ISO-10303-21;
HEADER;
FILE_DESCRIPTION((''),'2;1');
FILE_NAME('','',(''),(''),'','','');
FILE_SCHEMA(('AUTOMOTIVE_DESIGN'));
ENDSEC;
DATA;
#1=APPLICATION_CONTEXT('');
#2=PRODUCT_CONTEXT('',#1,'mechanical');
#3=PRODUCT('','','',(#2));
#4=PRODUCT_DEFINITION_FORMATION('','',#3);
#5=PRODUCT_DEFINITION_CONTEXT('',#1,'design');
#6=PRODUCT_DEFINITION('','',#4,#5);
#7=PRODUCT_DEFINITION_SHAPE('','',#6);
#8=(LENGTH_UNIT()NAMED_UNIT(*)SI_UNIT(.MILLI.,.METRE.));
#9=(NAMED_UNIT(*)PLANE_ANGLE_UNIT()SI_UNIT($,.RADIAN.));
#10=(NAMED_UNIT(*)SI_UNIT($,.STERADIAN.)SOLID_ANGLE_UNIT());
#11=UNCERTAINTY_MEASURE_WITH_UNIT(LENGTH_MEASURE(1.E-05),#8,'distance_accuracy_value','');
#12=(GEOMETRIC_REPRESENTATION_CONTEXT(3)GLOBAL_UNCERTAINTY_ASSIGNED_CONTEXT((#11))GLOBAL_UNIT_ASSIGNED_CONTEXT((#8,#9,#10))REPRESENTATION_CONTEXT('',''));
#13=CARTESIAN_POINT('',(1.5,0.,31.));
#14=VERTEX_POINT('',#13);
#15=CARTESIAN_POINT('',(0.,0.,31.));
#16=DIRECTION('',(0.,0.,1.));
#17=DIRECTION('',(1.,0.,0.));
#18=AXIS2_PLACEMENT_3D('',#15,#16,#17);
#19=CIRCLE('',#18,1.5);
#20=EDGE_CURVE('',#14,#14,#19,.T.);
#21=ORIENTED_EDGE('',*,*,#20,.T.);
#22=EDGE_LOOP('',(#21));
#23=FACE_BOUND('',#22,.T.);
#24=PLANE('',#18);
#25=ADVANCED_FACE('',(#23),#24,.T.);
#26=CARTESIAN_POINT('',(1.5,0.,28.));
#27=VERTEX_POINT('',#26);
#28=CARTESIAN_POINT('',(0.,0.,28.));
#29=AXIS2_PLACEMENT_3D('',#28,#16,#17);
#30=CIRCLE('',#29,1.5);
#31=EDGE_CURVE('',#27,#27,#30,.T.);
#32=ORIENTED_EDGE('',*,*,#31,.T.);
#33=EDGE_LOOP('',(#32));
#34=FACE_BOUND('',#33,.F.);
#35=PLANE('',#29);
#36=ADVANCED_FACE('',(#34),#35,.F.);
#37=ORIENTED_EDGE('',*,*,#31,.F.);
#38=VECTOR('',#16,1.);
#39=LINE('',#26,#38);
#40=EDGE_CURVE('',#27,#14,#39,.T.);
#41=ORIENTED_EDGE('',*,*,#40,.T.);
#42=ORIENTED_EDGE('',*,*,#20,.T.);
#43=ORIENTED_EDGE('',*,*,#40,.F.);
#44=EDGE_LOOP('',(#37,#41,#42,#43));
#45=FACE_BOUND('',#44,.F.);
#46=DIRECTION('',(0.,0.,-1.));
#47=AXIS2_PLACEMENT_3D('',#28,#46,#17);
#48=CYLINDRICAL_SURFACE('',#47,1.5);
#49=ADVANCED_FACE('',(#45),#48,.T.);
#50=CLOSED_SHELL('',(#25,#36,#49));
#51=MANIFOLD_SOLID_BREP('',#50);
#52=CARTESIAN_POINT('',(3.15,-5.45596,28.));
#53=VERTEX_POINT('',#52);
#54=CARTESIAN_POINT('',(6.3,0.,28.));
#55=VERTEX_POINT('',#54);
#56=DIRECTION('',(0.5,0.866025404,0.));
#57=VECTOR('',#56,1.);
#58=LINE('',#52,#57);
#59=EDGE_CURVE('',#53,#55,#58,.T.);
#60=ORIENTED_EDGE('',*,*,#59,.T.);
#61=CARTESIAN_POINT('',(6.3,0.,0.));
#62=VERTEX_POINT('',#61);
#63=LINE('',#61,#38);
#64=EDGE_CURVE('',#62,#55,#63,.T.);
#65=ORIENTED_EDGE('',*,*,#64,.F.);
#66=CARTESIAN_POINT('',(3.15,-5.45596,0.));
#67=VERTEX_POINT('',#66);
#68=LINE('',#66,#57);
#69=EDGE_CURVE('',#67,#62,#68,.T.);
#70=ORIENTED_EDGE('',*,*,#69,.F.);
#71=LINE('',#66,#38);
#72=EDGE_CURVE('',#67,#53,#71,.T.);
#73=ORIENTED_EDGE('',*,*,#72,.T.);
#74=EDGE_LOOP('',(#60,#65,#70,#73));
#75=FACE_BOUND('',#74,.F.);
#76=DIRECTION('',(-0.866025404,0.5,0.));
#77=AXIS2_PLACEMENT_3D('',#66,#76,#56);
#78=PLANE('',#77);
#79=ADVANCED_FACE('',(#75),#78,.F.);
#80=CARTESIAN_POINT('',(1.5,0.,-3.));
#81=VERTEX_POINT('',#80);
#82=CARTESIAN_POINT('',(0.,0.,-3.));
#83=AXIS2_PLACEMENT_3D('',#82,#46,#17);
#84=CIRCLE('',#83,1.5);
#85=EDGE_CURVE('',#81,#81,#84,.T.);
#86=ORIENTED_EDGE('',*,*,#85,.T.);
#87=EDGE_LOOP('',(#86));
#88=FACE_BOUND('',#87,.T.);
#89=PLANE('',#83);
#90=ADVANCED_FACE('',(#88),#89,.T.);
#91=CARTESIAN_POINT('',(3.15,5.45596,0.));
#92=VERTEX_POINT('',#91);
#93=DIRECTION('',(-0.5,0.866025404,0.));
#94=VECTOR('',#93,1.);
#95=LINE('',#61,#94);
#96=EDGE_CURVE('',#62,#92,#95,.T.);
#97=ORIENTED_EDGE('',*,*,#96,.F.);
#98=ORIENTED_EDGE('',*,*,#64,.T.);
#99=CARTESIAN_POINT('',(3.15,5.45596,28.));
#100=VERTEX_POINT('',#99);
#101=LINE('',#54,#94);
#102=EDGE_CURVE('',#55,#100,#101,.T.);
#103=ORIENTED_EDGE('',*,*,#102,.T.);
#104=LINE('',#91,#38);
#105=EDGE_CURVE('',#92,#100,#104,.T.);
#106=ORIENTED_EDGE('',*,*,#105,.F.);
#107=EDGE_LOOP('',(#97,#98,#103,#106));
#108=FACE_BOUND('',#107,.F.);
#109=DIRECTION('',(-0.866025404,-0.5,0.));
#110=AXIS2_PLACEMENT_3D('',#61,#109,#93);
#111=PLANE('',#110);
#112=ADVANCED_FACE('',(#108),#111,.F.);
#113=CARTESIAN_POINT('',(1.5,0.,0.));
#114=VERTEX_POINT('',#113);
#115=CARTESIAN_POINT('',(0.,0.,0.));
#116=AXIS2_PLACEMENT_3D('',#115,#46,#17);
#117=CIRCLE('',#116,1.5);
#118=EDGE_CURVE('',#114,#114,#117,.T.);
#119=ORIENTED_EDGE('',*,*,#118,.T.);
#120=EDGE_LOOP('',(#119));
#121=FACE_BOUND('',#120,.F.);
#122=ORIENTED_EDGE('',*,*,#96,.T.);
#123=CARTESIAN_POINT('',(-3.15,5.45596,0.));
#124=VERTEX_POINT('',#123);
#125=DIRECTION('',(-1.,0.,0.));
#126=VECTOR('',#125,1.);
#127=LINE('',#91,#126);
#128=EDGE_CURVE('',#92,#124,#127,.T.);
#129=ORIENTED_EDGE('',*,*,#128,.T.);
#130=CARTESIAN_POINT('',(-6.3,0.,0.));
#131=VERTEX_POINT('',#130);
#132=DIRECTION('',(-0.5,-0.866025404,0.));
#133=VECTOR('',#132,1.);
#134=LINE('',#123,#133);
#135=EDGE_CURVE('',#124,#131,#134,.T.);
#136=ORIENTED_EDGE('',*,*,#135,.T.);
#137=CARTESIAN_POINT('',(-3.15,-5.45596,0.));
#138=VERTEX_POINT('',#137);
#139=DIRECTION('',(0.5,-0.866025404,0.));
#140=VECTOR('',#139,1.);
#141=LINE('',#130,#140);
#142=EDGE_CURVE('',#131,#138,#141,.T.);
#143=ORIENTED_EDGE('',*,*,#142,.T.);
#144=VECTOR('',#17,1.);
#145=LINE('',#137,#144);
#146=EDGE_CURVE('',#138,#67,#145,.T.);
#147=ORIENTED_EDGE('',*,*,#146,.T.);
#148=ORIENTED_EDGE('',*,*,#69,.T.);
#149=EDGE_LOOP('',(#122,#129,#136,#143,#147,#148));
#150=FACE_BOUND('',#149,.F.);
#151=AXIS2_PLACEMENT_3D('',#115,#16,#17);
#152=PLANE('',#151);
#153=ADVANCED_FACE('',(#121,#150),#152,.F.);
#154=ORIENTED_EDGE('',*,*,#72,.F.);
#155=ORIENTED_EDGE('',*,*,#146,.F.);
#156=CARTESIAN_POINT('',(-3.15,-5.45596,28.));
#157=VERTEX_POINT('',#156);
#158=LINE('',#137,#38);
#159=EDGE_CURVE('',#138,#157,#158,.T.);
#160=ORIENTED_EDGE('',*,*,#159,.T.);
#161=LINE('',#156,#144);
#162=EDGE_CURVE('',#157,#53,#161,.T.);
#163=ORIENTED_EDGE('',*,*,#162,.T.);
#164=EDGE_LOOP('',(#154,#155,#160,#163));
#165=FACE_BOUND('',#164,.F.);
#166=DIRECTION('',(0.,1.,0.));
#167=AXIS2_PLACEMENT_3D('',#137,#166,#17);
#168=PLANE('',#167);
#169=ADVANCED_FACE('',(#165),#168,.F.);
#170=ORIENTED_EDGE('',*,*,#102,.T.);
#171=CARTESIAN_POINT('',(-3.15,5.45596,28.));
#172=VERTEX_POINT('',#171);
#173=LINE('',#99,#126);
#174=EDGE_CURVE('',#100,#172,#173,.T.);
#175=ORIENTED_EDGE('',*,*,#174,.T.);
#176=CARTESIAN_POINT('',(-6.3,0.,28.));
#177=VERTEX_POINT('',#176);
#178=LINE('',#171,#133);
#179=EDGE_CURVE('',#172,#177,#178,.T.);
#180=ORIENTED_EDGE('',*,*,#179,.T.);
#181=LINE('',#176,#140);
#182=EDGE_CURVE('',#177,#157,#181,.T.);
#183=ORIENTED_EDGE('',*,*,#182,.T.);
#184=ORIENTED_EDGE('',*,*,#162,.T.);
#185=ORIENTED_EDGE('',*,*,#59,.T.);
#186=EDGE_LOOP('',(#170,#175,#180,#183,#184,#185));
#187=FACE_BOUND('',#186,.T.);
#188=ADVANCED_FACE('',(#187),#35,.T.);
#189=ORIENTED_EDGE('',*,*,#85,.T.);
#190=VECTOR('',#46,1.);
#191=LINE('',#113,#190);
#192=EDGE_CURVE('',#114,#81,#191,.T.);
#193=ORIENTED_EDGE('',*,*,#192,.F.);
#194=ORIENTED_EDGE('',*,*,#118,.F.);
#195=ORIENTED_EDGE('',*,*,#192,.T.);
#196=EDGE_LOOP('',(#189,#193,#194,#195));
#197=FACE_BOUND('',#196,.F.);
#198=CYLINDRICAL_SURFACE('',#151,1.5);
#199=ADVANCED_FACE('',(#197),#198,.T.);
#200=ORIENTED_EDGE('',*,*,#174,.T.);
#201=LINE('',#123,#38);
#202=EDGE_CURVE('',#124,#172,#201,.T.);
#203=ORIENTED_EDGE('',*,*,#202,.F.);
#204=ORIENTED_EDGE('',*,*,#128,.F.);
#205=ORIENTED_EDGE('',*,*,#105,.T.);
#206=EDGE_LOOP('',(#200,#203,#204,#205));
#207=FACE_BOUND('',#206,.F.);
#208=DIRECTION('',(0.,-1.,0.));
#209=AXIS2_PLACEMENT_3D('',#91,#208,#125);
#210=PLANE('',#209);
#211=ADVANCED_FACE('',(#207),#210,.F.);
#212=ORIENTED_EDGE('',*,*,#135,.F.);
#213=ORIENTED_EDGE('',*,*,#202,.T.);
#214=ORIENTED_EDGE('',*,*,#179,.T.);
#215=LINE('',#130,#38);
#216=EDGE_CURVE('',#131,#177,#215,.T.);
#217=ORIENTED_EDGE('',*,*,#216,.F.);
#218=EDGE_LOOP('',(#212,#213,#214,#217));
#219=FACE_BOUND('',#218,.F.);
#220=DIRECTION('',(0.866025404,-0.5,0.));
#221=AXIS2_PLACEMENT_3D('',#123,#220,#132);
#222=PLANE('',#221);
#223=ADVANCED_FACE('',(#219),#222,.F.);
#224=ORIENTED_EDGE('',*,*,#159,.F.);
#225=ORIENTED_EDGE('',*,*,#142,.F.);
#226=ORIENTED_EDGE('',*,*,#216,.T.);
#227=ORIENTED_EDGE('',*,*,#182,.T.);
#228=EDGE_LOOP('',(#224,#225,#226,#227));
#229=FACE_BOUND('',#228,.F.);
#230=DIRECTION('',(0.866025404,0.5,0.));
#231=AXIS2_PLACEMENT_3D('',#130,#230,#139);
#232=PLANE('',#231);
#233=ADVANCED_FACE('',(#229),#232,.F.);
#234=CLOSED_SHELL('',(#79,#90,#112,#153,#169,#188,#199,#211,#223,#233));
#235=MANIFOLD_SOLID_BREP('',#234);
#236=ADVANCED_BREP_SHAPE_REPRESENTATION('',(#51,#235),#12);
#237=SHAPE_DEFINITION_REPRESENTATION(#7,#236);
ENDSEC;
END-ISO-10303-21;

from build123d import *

# Parameters (mm, degrees)
F1_DEPTH = 28
F2_R     = 1.5
F3_DEPTH = 3
F4_R     = 1.5
F5_DEPTH = 3


with BuildPart() as f1:
    # F0 (on Top) → F1 (new body)
    with BuildSketch(Plane.XY):
        Polygon((3.15, 5.4559600438), (-3.15, 5.4559600438), (-6.3, 0), (-3.15, -5.4559600438), (3.15, -5.4559600438), (6.3, 0), align=None)
    extrude(amount=F1_DEPTH)

    # F4 (on face) → F5 (join)
    with BuildSketch(Plane(origin=(0, 0, 0), x_dir=(1, 0, 0), z_dir=(0, 0, -1))):
        Circle(F4_R)
    extrude(amount=F5_DEPTH)


with BuildPart() as f3:
    # F2 (on face) → F3 (new body)
    with BuildSketch(Plane.XY.offset(28)):
        Circle(F2_R)
    extrude(amount=F3_DEPTH)


solid = Compound([f1.part, f3.part])
